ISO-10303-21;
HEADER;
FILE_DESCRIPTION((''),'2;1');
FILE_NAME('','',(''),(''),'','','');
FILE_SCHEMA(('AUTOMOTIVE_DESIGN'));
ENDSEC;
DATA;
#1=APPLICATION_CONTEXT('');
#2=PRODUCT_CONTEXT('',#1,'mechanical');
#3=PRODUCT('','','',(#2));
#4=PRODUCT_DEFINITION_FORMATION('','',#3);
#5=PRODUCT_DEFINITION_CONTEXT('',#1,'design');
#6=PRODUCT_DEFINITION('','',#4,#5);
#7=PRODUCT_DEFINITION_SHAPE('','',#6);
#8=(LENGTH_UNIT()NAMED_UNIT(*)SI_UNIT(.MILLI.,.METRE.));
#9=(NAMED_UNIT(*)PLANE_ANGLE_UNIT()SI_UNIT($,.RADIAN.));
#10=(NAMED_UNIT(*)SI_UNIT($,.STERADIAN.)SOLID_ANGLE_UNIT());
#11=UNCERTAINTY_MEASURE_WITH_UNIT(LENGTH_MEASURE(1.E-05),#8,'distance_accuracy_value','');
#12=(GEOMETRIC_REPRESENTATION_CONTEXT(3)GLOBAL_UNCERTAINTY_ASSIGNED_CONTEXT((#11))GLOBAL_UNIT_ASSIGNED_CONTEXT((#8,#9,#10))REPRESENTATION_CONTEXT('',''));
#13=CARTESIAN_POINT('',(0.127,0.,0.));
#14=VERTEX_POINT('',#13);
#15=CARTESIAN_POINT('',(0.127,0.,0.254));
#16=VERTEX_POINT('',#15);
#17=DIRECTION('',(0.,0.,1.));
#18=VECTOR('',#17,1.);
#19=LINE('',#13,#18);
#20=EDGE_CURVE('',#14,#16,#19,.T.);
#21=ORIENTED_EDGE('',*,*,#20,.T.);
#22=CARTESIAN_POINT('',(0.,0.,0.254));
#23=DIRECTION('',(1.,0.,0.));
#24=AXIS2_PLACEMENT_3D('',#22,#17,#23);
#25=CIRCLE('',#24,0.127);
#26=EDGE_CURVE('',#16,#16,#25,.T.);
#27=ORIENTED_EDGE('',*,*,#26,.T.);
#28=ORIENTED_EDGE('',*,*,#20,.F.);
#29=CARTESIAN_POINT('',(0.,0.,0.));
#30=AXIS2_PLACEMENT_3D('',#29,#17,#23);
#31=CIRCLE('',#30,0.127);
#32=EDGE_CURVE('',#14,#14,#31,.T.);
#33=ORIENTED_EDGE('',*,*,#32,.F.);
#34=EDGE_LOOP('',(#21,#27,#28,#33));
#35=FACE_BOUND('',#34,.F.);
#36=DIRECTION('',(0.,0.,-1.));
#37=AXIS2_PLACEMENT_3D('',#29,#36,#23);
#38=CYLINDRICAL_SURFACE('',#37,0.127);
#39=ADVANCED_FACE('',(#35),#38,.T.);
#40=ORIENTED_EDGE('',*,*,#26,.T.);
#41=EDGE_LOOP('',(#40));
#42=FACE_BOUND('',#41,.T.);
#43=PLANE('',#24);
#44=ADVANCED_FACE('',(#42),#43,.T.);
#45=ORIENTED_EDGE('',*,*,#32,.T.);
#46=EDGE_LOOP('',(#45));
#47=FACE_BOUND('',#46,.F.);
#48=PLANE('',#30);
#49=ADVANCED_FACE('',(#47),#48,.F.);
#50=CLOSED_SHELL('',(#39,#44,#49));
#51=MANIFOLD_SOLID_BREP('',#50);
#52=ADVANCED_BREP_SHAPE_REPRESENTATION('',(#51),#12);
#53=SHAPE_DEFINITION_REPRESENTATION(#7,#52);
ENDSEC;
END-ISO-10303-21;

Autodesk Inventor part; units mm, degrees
ref_plane "YZ Plane" through (0, 0, 0) normal (1, 0, 0) x (0, 1, 0)
ref_plane "XZ Plane" through (0, 0, 0) normal (0, 1, 0) x (-1, 0, 0)
ref_plane "XY Plane" through (0, 0, 0) normal (0, 0, 1) x (1, 0, 0)
sketch "Sketch1" plane through (0, 0, 0) normal (0, 0, 1) x (1, 0, 0)
  circle A0 centre (0, 0) radius 0.127
  dimension "d0" = 0.254
extrude "Extrusion1" add sketch "Sketch1" along normal blind 0.254
properties part number "mark" material "Gold"
